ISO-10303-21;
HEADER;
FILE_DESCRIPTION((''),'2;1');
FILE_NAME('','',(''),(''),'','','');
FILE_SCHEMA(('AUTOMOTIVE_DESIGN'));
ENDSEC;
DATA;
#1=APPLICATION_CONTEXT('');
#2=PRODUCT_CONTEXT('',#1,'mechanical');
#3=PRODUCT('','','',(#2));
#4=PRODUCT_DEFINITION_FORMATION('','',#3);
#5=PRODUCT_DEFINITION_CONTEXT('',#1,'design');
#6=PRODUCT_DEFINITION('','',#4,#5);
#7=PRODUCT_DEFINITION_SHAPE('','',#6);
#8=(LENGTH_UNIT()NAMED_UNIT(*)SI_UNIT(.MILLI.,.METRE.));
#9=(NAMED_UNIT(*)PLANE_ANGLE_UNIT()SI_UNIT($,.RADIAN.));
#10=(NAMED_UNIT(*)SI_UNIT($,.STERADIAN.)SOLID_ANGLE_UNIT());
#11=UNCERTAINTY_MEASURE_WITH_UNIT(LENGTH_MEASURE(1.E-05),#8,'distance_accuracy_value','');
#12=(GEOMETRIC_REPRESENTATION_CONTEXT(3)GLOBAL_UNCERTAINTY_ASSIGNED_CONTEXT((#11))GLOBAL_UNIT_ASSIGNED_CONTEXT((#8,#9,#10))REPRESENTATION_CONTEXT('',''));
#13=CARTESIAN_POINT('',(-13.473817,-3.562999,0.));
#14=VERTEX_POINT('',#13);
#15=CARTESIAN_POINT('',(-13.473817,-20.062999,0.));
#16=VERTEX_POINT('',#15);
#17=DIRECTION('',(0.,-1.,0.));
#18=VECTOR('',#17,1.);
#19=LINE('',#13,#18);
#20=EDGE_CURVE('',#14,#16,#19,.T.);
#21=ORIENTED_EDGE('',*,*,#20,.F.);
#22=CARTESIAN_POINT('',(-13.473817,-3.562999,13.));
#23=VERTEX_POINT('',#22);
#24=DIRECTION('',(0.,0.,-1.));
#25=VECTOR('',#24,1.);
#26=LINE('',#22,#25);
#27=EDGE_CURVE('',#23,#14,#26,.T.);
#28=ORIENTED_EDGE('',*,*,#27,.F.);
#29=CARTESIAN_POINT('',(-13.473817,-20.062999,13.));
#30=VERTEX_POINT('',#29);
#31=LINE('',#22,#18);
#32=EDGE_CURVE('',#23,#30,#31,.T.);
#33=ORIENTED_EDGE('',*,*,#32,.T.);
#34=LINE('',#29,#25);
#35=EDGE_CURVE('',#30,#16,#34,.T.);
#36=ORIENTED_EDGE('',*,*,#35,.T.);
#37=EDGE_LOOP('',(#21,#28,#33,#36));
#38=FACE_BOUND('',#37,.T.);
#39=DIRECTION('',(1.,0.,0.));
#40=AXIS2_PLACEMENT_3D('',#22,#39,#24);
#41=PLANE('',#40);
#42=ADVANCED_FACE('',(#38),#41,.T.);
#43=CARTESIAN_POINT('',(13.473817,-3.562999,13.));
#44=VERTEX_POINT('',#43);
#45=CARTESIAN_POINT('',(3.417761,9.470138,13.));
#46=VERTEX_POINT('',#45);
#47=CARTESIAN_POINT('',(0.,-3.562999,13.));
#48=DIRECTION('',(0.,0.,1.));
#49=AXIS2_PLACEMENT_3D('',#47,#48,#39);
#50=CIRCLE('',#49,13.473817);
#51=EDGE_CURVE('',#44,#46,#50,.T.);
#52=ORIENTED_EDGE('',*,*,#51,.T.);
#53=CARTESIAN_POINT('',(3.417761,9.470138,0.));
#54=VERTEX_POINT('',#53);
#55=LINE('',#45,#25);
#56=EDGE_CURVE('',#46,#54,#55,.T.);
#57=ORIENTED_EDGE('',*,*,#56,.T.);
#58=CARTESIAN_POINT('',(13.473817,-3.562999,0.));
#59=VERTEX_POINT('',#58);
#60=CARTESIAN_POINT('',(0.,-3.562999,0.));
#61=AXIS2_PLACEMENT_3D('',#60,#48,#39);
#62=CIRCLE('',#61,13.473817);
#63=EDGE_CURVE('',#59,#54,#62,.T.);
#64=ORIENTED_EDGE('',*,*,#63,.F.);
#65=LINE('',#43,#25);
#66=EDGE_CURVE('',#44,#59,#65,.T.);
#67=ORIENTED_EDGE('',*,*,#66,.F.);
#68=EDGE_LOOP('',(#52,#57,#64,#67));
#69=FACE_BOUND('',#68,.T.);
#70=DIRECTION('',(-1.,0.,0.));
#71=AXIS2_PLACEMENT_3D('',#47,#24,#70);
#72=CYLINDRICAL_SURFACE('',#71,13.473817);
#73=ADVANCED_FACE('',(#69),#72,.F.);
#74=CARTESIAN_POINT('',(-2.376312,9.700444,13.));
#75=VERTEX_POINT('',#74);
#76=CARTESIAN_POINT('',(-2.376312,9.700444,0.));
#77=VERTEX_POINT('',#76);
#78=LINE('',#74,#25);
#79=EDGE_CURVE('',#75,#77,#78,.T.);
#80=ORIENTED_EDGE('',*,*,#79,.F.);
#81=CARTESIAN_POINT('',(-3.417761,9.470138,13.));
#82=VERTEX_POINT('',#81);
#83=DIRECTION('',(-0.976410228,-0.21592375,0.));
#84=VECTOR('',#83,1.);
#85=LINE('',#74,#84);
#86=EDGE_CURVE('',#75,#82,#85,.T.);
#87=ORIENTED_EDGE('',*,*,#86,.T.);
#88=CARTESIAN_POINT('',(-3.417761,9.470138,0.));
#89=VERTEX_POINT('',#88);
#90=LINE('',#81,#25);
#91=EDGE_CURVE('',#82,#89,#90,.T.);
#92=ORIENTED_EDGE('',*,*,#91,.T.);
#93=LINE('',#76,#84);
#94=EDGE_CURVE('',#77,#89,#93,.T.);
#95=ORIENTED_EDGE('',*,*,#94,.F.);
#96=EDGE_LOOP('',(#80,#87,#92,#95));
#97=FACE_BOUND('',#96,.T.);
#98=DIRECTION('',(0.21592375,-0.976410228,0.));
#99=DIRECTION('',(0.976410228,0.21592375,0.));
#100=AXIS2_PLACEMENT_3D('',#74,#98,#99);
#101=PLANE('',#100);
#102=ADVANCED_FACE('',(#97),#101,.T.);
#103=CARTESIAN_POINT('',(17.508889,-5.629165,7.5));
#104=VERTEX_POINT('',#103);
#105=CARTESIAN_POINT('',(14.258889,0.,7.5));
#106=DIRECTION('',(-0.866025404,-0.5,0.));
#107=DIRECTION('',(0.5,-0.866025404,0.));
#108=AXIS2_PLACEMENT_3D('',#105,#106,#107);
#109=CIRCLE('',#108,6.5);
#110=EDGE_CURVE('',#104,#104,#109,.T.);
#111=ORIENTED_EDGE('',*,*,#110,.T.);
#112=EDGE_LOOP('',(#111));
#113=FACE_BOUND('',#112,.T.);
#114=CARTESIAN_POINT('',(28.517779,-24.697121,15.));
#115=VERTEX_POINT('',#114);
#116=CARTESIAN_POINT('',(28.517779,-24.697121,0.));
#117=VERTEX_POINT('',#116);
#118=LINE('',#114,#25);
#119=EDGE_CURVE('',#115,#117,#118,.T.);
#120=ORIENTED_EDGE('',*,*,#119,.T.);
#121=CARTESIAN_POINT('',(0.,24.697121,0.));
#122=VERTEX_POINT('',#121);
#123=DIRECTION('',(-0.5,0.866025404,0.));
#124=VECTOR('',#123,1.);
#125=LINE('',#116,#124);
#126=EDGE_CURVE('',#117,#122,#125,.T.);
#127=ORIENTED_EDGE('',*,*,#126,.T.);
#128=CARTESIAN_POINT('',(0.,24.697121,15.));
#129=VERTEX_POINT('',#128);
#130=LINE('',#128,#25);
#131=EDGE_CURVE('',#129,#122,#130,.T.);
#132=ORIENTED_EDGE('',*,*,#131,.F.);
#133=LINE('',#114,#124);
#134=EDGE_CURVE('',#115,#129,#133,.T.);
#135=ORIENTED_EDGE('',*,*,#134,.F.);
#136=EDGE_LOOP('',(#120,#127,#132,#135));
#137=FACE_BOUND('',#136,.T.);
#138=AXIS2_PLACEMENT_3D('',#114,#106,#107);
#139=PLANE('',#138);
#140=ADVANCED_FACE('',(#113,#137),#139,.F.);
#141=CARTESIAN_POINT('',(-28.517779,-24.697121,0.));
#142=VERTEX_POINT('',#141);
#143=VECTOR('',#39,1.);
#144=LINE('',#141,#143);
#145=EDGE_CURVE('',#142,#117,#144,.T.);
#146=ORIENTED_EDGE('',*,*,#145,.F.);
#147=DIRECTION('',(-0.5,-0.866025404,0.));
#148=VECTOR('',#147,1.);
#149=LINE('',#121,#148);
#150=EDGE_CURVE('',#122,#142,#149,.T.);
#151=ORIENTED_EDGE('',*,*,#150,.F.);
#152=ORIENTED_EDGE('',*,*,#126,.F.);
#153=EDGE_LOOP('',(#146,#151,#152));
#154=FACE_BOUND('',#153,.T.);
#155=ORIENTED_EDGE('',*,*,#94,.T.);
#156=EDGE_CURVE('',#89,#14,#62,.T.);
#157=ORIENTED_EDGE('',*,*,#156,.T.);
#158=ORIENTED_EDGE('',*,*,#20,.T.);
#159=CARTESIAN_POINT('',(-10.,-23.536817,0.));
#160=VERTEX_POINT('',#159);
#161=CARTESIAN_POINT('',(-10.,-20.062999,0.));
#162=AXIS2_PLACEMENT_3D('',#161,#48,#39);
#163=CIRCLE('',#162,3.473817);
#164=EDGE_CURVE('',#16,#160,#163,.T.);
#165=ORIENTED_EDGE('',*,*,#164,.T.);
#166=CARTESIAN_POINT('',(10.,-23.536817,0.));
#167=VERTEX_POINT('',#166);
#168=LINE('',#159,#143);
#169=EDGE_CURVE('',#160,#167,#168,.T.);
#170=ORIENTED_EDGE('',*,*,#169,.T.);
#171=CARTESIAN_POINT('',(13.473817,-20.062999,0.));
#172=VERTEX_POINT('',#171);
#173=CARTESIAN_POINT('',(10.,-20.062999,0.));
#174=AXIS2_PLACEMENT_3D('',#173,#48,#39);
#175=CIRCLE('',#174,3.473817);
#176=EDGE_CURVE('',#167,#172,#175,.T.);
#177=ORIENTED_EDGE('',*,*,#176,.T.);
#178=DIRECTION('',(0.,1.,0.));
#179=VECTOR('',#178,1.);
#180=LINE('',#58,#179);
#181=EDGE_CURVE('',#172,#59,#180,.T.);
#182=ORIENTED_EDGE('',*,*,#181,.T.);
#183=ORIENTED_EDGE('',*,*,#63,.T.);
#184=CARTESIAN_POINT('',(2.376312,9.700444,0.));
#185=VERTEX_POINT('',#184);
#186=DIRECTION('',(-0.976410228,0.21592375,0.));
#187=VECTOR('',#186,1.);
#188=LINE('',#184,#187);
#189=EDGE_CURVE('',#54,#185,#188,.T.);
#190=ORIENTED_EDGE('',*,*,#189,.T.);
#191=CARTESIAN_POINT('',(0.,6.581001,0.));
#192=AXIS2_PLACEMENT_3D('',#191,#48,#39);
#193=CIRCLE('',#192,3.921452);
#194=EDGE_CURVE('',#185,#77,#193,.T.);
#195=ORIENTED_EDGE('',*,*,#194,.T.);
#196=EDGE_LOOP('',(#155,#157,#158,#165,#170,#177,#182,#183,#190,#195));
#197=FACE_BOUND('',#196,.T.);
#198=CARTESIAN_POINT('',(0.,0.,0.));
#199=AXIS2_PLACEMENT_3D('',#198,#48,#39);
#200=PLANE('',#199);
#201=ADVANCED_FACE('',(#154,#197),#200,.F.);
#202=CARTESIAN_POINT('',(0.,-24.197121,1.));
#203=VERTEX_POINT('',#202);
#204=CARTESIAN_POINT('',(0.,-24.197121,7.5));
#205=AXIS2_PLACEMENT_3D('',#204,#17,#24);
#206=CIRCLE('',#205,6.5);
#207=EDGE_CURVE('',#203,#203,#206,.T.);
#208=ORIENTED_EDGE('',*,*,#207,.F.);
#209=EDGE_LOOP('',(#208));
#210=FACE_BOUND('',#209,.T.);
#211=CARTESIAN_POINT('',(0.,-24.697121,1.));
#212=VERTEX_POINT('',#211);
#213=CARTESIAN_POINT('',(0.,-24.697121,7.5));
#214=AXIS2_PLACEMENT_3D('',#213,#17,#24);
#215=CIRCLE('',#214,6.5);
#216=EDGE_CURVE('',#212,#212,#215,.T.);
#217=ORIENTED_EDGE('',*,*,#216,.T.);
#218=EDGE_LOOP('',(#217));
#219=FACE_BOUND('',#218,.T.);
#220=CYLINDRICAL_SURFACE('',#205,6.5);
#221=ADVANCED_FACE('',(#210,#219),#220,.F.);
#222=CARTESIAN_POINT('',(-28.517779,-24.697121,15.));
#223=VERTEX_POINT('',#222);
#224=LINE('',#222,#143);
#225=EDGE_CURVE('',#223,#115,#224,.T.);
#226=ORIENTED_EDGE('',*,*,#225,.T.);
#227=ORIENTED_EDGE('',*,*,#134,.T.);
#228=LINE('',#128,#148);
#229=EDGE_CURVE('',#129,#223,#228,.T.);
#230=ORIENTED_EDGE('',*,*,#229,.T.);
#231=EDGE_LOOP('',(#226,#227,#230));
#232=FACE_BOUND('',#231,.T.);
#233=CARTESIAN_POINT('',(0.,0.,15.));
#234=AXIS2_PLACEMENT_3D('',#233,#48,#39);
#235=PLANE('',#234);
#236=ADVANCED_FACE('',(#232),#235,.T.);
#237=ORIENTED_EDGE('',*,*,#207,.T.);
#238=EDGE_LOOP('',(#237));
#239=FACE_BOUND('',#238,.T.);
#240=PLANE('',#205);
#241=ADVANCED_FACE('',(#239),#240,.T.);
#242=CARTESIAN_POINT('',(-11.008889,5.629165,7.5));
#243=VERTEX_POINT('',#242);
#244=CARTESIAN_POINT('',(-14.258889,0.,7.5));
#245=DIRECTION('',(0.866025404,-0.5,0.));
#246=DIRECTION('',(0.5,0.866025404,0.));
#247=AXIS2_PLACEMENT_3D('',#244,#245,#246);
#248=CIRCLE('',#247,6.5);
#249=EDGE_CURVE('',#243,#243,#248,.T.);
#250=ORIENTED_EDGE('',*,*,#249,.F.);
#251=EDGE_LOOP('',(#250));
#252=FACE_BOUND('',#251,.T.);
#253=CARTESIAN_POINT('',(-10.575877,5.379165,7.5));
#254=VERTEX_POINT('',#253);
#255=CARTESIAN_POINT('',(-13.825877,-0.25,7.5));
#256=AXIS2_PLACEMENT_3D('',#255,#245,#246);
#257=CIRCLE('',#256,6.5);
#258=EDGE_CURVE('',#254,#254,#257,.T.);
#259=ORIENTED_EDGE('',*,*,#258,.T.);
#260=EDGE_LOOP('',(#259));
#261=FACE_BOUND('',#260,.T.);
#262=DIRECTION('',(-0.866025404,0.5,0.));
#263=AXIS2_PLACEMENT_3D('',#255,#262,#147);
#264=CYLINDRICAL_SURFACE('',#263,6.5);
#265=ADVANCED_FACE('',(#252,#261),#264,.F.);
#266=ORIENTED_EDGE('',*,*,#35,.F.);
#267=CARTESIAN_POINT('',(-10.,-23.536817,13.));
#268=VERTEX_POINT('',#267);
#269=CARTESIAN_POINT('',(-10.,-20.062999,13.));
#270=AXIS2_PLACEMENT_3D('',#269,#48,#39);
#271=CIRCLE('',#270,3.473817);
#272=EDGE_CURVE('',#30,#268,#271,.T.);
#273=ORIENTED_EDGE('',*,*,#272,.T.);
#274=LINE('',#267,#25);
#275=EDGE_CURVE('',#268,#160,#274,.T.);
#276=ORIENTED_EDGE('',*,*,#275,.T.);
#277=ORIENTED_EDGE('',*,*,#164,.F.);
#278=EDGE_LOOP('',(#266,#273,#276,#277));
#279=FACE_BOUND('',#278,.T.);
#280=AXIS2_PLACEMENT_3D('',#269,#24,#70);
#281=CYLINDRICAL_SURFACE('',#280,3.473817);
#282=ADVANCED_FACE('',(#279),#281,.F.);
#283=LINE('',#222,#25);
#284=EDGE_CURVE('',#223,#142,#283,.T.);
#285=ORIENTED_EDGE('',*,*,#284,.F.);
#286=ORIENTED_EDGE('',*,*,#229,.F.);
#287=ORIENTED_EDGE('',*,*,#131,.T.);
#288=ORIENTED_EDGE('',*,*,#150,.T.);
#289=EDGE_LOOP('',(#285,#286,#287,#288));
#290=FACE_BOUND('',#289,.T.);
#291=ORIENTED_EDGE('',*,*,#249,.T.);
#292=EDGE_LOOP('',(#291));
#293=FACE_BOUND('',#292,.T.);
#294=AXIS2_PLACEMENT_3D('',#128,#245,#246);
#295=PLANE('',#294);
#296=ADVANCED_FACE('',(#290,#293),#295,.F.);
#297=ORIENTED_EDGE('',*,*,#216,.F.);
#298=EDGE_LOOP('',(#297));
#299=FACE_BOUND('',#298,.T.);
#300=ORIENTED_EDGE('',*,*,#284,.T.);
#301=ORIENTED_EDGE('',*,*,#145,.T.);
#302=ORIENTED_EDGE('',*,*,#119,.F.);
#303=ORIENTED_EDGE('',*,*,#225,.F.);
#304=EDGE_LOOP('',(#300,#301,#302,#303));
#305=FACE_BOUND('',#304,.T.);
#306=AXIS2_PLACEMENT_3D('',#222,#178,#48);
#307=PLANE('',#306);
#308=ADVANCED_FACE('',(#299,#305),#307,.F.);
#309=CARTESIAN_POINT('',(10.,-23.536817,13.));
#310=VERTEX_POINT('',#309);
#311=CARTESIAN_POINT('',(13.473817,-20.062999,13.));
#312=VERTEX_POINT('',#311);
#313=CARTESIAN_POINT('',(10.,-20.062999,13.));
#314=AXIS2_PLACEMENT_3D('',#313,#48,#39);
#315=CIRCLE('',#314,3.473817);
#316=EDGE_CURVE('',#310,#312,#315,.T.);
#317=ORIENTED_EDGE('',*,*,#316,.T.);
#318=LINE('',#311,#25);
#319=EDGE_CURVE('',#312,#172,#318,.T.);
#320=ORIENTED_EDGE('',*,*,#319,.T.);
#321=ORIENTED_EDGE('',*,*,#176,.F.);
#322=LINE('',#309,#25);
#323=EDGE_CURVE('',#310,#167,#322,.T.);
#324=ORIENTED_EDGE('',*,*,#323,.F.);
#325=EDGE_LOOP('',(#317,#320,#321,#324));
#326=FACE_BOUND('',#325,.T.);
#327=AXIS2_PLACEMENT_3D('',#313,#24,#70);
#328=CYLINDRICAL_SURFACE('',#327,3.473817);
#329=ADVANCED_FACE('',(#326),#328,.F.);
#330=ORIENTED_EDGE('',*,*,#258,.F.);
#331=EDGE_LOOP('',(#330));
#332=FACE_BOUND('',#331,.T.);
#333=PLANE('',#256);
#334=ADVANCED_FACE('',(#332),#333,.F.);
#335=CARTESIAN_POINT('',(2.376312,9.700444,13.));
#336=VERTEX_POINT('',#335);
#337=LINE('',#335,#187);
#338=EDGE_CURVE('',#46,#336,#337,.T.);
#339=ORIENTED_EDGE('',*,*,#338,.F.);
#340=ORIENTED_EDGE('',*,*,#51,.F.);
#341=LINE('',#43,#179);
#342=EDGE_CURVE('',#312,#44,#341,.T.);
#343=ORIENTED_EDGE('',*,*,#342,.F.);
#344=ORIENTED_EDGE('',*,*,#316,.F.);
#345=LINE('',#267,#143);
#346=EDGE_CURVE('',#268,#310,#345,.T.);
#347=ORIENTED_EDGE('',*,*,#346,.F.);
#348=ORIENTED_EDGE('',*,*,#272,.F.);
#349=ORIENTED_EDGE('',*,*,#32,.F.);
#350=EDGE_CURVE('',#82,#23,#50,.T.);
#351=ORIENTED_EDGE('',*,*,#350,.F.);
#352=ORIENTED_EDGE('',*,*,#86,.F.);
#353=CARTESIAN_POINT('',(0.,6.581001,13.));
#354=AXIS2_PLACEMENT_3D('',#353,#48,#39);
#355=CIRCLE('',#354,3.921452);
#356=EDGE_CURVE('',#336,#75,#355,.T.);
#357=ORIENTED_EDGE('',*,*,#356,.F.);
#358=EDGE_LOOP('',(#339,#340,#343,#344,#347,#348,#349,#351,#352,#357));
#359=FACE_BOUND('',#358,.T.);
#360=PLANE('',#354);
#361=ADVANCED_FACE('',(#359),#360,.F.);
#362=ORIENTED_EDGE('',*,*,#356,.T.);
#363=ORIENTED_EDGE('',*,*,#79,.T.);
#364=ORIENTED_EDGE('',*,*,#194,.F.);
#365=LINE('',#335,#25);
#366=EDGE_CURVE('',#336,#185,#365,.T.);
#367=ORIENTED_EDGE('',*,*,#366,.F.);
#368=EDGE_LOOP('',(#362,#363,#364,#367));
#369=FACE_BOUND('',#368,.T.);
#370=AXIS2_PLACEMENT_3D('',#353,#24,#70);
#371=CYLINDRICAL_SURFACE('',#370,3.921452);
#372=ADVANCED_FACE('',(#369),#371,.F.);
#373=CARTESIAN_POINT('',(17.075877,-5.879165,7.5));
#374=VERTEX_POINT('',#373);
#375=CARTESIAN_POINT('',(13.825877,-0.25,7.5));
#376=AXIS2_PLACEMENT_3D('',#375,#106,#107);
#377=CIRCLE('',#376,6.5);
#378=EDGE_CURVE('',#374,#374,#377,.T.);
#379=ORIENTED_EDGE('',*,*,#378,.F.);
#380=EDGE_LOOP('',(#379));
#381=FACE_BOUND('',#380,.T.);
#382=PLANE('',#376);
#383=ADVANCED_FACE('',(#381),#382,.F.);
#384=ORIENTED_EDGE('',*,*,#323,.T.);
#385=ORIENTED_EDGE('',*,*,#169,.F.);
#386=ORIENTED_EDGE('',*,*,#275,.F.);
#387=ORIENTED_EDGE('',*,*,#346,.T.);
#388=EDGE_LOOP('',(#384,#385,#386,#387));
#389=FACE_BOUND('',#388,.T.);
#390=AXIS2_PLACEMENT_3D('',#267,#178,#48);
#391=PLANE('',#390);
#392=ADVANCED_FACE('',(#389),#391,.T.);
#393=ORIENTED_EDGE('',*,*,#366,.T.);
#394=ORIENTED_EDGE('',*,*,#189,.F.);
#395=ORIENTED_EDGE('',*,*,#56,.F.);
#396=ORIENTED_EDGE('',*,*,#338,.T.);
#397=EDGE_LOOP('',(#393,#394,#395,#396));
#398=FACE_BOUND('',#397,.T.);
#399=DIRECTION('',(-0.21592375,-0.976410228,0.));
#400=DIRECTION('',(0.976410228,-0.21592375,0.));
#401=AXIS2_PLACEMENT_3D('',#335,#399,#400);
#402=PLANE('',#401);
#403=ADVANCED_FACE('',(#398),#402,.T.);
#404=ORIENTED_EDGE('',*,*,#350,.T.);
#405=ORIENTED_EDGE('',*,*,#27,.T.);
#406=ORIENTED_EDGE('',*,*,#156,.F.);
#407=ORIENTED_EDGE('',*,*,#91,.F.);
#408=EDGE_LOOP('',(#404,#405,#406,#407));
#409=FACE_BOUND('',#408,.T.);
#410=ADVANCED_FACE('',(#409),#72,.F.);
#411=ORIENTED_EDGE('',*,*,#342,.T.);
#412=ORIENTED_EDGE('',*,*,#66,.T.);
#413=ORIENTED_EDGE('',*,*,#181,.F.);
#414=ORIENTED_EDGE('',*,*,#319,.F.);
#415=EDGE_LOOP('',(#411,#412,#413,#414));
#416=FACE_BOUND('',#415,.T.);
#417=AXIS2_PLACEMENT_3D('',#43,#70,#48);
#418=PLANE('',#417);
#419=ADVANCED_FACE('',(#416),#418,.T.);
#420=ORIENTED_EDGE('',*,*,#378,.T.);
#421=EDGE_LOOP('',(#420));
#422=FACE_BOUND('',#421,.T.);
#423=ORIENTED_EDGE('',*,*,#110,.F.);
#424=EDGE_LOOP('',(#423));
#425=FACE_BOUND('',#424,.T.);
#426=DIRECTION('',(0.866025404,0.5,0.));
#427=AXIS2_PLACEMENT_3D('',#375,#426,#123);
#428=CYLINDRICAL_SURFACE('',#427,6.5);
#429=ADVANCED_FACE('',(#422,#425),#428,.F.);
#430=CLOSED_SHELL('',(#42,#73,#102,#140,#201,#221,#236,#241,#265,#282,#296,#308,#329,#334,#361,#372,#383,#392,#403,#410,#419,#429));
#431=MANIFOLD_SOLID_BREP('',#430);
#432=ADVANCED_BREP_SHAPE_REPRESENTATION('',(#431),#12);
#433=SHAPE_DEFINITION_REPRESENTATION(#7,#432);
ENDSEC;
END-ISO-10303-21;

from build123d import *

# Parameters (mm, degrees)
EXTRUDE_2_DEPTH     = 15
CUT_EXTRUDE_2_DEPTH = 13
SKETCH_5_R          = 6.5
CUT_EXTRUDE_3_DEPTH = 0.5
SKETCH_6_R          = 6.5
CUT_EXTRUDE_5_DEPTH = 0.5
SKETCH_7_R          = 6.5
CUT_EXTRUDE_8_DEPTH = 0.5


with BuildPart() as part:
    # 草图1 → 凸台-拉伸2 (new body)
    with BuildSketch(Plane.XY):
        Polygon((0, 24.697120967), (-28.517778878, -24.697120967), (28.517778878, -24.697120967), align=None)
    extrude(amount=EXTRUDE_2_DEPTH)

    # 草图4 → 切除-拉伸2 (cut)
    with BuildSketch(Plane.XY):
        with BuildLine():
            Line((-13.473817403, -3.562999264), (-13.473817403, -20.062999264))
            ThreePointArc((-13.473817403, -20.062999264), (-12.456359842, -22.519359106), (-10, -23.536816667))
            Line((-10, -23.536816667), (10, -23.536816667))
            ThreePointArc((10, -23.536816667), (12.456359842, -22.519359106), (13.473817403, -20.062999264))
            Line((13.473817403, -20.062999264), (13.473817403, -3.562999264))
            ThreePointArc((13.473817403, -3.562999264), (10.667568819, 4.667840965), (3.417761445, 9.470137814))
            Line((3.417761445, 9.470137814), (2.376312346, 9.700444286))
            ThreePointArc((2.376312346, 9.700444286), (0, 10.502453106), (-2.376312346, 9.700444286))
            Line((-2.376312346, 9.700444286), (-3.417761445, 9.470137814))
            ThreePointArc((-3.417761445, 9.470137814), (-10.667568819, 4.667840965), (-13.473817403, -3.562999264))
        make_face()
    extrude(amount=CUT_EXTRUDE_2_DEPTH, mode=Mode.SUBTRACT)

    # 草图5 → 切除-拉伸3 (cut)
    with BuildSketch(Plane.XZ.offset(24.697120967)):
        with Locations((0, 7.5)):
            Circle(SKETCH_5_R)
    extrude(amount=-CUT_EXTRUDE_3_DEPTH, mode=Mode.SUBTRACT)

    # 草图6 → 切除-拉伸5 (cut)
    with BuildSketch(Plane(origin=(-14.258889439, 0, 0), x_dir=(0.5, 0.866025404, 0), z_dir=(0.866025404, -0.5, 0))):
        with Locations((0, 7.5)):
            Circle(SKETCH_6_R)
    extrude(amount=CUT_EXTRUDE_5_DEPTH, mode=Mode.SUBTRACT)

    # 草图7 → 切除-拉伸8 (cut)
    with BuildSketch(Plane(origin=(14.258889439, 0, 0), x_dir=(0.5, -0.866025404, 0), z_dir=(-0.866025404, -0.5, 0))):
        with Locations((0, 7.5)):
            Circle(SKETCH_7_R)
    extrude(amount=CUT_EXTRUDE_8_DEPTH, mode=Mode.SUBTRACT)


solid = part.part
